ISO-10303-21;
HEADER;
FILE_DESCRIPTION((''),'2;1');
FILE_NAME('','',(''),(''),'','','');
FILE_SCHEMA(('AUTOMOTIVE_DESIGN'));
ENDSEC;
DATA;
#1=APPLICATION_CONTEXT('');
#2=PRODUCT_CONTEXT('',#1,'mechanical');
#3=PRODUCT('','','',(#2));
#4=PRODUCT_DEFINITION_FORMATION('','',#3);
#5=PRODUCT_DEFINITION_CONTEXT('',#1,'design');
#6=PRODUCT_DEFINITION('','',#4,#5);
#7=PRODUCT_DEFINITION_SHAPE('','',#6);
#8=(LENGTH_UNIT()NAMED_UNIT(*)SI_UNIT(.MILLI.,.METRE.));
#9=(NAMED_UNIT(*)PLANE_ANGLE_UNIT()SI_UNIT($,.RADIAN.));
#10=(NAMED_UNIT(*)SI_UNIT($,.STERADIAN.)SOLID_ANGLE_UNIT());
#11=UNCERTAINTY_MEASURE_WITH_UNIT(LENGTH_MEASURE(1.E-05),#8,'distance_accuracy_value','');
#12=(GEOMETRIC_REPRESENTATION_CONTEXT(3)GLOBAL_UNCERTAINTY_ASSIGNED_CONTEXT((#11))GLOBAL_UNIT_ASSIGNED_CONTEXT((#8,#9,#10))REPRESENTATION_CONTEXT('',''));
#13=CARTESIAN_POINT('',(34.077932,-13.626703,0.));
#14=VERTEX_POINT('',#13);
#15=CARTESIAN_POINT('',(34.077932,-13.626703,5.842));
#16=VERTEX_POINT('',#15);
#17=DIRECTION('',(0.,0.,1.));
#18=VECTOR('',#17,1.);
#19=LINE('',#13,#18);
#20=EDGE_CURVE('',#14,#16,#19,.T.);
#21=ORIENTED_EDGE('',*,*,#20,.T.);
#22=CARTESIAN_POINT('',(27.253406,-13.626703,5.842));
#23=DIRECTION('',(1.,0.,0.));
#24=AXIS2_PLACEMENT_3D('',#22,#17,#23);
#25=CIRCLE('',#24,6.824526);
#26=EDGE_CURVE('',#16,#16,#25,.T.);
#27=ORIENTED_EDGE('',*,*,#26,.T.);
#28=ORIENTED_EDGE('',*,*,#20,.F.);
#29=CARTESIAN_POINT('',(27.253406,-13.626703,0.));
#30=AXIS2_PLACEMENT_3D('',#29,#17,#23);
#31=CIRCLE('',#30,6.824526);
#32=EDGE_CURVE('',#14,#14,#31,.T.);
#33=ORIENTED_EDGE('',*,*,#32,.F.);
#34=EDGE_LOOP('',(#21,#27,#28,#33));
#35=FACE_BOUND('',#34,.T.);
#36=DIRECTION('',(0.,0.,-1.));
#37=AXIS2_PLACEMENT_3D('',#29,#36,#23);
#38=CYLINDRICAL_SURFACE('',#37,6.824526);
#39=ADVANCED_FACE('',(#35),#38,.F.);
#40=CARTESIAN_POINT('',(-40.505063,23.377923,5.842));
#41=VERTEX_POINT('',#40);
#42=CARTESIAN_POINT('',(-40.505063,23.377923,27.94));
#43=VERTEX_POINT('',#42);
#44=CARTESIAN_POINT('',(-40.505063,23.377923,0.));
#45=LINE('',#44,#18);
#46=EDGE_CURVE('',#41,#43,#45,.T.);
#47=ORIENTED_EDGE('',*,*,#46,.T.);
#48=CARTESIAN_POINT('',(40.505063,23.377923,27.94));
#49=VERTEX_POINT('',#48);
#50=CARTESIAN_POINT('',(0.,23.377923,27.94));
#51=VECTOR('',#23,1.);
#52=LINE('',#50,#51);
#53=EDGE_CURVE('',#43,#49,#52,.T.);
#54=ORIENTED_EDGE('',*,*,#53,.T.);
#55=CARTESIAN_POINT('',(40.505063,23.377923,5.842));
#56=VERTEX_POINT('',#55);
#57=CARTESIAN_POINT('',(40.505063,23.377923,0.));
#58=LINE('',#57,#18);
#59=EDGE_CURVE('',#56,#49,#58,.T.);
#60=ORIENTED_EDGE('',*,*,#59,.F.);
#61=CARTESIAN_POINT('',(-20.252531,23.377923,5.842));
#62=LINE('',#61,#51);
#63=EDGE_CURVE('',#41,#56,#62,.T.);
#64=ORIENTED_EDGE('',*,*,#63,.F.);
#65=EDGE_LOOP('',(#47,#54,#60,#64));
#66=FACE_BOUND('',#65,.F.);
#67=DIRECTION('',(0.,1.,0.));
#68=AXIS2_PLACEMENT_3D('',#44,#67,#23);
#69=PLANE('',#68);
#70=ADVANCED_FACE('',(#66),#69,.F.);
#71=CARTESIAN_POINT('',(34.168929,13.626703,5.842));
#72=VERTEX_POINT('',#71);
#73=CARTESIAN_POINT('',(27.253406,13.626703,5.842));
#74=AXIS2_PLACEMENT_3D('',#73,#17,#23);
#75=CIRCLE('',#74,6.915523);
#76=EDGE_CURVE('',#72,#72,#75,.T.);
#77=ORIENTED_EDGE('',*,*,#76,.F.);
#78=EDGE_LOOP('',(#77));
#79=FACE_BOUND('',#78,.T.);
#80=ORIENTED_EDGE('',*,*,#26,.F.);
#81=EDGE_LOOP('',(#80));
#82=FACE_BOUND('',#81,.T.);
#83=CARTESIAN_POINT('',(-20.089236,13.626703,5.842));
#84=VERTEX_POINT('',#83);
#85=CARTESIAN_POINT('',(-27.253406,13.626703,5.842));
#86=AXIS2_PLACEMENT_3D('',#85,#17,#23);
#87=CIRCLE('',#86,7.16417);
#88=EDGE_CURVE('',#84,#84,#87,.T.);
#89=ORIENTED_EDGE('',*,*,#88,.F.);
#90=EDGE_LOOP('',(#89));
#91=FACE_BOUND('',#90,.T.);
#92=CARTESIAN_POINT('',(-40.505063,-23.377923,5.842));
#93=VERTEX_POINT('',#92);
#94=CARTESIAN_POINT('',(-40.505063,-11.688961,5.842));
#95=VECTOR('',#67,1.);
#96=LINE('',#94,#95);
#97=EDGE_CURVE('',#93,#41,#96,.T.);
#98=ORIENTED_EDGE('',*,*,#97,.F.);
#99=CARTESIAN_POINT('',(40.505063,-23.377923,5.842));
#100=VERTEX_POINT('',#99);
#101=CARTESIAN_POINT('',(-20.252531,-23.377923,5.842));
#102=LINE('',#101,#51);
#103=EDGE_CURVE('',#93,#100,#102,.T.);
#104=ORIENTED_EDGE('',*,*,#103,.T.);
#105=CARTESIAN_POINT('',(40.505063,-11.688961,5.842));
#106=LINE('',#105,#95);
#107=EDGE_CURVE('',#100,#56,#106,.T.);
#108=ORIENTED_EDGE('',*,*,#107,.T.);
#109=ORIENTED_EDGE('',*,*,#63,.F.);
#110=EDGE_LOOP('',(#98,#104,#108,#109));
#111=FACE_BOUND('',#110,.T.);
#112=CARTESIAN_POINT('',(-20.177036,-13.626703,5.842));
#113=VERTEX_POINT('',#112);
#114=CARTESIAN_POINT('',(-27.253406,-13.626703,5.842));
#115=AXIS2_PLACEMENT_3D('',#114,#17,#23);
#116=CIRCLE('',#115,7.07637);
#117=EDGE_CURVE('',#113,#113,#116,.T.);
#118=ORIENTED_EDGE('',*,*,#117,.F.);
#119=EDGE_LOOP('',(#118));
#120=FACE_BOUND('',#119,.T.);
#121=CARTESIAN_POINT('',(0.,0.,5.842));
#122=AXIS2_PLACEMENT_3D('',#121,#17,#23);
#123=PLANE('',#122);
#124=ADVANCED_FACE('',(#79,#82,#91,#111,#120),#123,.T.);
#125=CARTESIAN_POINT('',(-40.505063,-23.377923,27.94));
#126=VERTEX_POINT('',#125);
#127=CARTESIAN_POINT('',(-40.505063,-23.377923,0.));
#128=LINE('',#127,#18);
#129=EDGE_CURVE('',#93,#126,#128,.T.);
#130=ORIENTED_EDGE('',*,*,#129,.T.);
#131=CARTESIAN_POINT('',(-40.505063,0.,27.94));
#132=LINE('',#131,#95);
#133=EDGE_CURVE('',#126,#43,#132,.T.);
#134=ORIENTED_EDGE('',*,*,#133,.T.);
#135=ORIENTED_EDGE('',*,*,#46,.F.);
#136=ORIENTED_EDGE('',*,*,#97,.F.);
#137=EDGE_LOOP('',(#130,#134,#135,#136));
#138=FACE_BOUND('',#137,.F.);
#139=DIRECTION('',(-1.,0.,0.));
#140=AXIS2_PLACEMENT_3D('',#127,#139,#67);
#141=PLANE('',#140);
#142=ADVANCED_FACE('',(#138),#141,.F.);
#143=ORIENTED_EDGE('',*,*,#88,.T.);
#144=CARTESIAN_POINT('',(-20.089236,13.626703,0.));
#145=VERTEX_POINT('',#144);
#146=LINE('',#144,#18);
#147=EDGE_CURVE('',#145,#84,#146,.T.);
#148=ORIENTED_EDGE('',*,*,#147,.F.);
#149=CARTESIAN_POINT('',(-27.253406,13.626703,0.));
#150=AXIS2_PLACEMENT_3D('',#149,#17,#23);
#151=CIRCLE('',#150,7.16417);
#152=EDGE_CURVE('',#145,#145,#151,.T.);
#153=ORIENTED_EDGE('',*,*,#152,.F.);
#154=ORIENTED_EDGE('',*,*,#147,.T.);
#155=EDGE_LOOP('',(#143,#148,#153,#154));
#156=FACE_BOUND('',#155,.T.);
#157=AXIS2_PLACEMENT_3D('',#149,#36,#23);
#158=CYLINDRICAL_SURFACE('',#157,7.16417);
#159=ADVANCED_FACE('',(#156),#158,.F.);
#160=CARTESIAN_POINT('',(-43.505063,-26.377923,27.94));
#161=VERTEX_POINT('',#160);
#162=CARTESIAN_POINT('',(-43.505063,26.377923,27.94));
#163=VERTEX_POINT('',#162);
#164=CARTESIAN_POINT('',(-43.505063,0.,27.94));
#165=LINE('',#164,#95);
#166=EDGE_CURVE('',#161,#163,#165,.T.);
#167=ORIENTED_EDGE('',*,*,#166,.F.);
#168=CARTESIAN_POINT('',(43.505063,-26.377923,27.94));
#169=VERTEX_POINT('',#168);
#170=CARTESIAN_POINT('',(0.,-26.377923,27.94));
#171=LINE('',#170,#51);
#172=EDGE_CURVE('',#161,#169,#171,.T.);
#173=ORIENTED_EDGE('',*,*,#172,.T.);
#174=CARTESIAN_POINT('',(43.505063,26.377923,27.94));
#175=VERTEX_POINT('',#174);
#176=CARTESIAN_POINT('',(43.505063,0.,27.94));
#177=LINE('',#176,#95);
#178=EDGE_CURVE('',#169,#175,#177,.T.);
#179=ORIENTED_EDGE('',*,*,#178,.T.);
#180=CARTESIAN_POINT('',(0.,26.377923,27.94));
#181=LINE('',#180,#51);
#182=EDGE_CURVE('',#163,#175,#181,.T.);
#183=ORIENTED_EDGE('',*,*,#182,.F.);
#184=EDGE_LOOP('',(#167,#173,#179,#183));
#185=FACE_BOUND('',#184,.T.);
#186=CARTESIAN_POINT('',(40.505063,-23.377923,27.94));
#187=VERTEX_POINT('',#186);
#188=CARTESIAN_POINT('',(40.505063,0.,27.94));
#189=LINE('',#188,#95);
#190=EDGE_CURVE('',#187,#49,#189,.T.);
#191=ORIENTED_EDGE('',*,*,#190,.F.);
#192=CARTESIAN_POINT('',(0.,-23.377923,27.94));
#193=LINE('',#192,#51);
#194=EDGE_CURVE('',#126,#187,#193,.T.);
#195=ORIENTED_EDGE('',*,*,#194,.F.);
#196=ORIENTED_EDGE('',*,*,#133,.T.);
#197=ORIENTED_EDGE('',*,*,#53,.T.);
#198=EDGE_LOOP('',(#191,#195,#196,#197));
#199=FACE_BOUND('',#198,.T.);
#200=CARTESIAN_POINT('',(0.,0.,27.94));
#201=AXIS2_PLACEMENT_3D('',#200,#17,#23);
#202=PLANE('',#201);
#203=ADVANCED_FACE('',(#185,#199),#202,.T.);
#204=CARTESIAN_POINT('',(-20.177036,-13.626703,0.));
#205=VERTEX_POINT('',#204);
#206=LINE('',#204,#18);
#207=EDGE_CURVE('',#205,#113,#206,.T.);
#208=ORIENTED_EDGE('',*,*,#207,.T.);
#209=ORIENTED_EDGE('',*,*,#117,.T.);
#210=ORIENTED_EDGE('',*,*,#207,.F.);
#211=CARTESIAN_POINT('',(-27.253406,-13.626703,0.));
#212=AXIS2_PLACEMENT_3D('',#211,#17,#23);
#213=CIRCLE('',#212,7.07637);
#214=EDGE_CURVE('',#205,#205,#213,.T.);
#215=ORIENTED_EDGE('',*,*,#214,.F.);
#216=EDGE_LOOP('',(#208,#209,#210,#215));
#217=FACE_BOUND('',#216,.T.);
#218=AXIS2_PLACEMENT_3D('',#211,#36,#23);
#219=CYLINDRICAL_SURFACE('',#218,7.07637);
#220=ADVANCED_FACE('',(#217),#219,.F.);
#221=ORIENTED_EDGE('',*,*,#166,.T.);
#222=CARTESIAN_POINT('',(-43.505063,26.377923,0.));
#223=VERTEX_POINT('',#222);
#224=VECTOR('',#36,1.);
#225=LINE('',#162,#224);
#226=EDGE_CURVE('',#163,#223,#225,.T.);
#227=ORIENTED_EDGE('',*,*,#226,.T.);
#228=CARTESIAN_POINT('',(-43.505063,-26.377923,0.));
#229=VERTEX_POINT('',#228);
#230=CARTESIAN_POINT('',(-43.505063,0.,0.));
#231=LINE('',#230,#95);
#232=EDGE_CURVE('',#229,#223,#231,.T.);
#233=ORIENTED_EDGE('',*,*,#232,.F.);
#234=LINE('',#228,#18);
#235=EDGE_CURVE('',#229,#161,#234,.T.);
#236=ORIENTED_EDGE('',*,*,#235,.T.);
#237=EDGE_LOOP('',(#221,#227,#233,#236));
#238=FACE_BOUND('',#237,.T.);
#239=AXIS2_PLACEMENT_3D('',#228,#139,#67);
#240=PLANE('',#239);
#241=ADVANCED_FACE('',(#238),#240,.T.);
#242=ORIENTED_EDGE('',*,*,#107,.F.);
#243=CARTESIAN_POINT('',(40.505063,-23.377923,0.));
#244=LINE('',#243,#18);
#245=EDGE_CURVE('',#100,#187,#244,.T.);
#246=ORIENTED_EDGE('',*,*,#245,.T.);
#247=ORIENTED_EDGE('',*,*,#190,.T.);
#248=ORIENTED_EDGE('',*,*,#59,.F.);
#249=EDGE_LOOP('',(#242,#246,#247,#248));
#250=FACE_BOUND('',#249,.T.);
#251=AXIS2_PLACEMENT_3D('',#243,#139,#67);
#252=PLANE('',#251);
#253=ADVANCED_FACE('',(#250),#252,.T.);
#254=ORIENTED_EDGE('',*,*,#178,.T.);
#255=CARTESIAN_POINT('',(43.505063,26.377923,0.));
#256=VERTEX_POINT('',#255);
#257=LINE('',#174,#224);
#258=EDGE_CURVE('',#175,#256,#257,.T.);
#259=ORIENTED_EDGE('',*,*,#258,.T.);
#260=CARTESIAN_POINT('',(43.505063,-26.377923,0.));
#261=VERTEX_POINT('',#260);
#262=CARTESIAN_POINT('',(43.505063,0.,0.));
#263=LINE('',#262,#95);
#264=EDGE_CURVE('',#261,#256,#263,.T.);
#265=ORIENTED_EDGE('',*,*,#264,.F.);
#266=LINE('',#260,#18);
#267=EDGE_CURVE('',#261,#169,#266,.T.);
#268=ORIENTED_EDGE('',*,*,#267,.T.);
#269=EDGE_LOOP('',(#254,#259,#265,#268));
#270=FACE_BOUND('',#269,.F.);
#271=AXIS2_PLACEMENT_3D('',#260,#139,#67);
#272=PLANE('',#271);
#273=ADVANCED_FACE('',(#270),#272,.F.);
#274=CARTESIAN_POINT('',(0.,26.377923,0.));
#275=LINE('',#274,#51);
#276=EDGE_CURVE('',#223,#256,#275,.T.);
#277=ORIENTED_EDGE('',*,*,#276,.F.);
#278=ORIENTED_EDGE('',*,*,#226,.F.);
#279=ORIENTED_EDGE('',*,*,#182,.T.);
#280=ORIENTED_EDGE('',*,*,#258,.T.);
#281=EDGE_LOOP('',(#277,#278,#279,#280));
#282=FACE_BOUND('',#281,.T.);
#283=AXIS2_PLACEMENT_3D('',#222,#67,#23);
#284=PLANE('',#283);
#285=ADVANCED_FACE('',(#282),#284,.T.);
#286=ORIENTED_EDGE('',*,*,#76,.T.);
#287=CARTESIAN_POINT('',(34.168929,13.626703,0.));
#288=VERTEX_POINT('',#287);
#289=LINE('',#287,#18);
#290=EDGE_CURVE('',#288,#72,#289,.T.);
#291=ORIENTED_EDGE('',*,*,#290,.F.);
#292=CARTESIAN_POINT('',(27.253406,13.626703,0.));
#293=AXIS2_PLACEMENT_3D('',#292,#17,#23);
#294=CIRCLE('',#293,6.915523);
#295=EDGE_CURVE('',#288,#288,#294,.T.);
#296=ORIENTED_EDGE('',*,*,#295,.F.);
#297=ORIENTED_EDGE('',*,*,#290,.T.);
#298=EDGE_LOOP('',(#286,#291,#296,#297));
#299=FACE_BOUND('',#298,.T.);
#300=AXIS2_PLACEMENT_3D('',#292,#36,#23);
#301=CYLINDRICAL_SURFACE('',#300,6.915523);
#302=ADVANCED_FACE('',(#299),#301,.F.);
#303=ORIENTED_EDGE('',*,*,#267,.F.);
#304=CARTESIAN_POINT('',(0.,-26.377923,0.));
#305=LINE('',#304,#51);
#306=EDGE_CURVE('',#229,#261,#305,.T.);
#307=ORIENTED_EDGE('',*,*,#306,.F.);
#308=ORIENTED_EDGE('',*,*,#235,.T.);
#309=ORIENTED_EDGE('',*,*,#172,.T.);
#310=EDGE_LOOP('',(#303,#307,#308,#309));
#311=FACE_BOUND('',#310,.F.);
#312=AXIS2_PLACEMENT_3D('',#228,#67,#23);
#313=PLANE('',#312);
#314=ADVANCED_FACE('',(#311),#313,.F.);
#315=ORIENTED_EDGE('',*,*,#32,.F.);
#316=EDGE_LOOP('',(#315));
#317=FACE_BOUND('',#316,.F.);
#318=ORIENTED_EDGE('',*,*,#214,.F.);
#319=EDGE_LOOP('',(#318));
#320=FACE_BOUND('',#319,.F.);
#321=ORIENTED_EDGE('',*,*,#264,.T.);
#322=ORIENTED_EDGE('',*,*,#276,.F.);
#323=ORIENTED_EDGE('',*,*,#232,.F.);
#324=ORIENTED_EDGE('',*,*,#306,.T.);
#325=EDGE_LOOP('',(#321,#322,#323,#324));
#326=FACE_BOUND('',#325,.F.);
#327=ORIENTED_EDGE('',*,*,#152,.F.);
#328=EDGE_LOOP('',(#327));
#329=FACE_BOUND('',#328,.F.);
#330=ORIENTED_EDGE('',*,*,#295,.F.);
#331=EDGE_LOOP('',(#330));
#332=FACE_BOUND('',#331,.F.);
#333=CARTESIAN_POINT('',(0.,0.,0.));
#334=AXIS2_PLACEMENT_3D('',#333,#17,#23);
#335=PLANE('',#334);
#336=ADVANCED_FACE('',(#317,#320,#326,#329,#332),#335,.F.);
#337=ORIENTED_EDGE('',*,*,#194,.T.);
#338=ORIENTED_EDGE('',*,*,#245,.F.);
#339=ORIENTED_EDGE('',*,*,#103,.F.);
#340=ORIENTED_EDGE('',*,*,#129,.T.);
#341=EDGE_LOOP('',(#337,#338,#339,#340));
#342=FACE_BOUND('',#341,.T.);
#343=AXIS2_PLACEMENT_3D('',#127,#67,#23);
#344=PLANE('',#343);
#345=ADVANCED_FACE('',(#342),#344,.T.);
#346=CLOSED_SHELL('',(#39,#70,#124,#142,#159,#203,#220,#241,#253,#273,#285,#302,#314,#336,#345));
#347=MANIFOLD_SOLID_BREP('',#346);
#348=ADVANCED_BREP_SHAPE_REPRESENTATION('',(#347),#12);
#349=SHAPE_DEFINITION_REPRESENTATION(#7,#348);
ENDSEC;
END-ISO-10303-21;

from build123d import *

# Parameters (mm, degrees)
F0_W     = 87.010126
F0_H     = 52.755846
F0_W_2   = 81.010126
F0_H_2   = 46.755846
F1_DEPTH = 27.94
F0_R     = 7.07637
F0_R_2   = 6.824526
F0_R_3   = 7.16417
F0_R_4   = 6.915523
F2_DEPTH = 5.842


with BuildPart() as f1:
    # F0 (on Top) → F1 (new body)
    with BuildSketch(Plane.XY):
        Rectangle(F0_W, F0_H)
        Rectangle(F0_W_2, F0_H_2, mode=Mode.SUBTRACT)
    extrude(amount=F1_DEPTH)

    # F0 (on Top) → F2 (join)
    with BuildSketch(Plane.XY):
        Rectangle(F0_W, F0_H)
        Rectangle(F0_W_2, F0_H_2, mode=Mode.SUBTRACT)
        Rectangle(F0_W_2, F0_H_2)
        with Locations((-27.253406, -13.626703)):
            Circle(F0_R, mode=Mode.SUBTRACT)
        with Locations((27.253406, -13.626703)):
            Circle(F0_R_2, mode=Mode.SUBTRACT)
        with Locations((-27.253406, 13.626703)):
            Circle(F0_R_3, mode=Mode.SUBTRACT)
        with Locations((27.253406, 13.626703)):
            Circle(F0_R_4, mode=Mode.SUBTRACT)
    extrude(amount=F2_DEPTH)


solid = f1.part
